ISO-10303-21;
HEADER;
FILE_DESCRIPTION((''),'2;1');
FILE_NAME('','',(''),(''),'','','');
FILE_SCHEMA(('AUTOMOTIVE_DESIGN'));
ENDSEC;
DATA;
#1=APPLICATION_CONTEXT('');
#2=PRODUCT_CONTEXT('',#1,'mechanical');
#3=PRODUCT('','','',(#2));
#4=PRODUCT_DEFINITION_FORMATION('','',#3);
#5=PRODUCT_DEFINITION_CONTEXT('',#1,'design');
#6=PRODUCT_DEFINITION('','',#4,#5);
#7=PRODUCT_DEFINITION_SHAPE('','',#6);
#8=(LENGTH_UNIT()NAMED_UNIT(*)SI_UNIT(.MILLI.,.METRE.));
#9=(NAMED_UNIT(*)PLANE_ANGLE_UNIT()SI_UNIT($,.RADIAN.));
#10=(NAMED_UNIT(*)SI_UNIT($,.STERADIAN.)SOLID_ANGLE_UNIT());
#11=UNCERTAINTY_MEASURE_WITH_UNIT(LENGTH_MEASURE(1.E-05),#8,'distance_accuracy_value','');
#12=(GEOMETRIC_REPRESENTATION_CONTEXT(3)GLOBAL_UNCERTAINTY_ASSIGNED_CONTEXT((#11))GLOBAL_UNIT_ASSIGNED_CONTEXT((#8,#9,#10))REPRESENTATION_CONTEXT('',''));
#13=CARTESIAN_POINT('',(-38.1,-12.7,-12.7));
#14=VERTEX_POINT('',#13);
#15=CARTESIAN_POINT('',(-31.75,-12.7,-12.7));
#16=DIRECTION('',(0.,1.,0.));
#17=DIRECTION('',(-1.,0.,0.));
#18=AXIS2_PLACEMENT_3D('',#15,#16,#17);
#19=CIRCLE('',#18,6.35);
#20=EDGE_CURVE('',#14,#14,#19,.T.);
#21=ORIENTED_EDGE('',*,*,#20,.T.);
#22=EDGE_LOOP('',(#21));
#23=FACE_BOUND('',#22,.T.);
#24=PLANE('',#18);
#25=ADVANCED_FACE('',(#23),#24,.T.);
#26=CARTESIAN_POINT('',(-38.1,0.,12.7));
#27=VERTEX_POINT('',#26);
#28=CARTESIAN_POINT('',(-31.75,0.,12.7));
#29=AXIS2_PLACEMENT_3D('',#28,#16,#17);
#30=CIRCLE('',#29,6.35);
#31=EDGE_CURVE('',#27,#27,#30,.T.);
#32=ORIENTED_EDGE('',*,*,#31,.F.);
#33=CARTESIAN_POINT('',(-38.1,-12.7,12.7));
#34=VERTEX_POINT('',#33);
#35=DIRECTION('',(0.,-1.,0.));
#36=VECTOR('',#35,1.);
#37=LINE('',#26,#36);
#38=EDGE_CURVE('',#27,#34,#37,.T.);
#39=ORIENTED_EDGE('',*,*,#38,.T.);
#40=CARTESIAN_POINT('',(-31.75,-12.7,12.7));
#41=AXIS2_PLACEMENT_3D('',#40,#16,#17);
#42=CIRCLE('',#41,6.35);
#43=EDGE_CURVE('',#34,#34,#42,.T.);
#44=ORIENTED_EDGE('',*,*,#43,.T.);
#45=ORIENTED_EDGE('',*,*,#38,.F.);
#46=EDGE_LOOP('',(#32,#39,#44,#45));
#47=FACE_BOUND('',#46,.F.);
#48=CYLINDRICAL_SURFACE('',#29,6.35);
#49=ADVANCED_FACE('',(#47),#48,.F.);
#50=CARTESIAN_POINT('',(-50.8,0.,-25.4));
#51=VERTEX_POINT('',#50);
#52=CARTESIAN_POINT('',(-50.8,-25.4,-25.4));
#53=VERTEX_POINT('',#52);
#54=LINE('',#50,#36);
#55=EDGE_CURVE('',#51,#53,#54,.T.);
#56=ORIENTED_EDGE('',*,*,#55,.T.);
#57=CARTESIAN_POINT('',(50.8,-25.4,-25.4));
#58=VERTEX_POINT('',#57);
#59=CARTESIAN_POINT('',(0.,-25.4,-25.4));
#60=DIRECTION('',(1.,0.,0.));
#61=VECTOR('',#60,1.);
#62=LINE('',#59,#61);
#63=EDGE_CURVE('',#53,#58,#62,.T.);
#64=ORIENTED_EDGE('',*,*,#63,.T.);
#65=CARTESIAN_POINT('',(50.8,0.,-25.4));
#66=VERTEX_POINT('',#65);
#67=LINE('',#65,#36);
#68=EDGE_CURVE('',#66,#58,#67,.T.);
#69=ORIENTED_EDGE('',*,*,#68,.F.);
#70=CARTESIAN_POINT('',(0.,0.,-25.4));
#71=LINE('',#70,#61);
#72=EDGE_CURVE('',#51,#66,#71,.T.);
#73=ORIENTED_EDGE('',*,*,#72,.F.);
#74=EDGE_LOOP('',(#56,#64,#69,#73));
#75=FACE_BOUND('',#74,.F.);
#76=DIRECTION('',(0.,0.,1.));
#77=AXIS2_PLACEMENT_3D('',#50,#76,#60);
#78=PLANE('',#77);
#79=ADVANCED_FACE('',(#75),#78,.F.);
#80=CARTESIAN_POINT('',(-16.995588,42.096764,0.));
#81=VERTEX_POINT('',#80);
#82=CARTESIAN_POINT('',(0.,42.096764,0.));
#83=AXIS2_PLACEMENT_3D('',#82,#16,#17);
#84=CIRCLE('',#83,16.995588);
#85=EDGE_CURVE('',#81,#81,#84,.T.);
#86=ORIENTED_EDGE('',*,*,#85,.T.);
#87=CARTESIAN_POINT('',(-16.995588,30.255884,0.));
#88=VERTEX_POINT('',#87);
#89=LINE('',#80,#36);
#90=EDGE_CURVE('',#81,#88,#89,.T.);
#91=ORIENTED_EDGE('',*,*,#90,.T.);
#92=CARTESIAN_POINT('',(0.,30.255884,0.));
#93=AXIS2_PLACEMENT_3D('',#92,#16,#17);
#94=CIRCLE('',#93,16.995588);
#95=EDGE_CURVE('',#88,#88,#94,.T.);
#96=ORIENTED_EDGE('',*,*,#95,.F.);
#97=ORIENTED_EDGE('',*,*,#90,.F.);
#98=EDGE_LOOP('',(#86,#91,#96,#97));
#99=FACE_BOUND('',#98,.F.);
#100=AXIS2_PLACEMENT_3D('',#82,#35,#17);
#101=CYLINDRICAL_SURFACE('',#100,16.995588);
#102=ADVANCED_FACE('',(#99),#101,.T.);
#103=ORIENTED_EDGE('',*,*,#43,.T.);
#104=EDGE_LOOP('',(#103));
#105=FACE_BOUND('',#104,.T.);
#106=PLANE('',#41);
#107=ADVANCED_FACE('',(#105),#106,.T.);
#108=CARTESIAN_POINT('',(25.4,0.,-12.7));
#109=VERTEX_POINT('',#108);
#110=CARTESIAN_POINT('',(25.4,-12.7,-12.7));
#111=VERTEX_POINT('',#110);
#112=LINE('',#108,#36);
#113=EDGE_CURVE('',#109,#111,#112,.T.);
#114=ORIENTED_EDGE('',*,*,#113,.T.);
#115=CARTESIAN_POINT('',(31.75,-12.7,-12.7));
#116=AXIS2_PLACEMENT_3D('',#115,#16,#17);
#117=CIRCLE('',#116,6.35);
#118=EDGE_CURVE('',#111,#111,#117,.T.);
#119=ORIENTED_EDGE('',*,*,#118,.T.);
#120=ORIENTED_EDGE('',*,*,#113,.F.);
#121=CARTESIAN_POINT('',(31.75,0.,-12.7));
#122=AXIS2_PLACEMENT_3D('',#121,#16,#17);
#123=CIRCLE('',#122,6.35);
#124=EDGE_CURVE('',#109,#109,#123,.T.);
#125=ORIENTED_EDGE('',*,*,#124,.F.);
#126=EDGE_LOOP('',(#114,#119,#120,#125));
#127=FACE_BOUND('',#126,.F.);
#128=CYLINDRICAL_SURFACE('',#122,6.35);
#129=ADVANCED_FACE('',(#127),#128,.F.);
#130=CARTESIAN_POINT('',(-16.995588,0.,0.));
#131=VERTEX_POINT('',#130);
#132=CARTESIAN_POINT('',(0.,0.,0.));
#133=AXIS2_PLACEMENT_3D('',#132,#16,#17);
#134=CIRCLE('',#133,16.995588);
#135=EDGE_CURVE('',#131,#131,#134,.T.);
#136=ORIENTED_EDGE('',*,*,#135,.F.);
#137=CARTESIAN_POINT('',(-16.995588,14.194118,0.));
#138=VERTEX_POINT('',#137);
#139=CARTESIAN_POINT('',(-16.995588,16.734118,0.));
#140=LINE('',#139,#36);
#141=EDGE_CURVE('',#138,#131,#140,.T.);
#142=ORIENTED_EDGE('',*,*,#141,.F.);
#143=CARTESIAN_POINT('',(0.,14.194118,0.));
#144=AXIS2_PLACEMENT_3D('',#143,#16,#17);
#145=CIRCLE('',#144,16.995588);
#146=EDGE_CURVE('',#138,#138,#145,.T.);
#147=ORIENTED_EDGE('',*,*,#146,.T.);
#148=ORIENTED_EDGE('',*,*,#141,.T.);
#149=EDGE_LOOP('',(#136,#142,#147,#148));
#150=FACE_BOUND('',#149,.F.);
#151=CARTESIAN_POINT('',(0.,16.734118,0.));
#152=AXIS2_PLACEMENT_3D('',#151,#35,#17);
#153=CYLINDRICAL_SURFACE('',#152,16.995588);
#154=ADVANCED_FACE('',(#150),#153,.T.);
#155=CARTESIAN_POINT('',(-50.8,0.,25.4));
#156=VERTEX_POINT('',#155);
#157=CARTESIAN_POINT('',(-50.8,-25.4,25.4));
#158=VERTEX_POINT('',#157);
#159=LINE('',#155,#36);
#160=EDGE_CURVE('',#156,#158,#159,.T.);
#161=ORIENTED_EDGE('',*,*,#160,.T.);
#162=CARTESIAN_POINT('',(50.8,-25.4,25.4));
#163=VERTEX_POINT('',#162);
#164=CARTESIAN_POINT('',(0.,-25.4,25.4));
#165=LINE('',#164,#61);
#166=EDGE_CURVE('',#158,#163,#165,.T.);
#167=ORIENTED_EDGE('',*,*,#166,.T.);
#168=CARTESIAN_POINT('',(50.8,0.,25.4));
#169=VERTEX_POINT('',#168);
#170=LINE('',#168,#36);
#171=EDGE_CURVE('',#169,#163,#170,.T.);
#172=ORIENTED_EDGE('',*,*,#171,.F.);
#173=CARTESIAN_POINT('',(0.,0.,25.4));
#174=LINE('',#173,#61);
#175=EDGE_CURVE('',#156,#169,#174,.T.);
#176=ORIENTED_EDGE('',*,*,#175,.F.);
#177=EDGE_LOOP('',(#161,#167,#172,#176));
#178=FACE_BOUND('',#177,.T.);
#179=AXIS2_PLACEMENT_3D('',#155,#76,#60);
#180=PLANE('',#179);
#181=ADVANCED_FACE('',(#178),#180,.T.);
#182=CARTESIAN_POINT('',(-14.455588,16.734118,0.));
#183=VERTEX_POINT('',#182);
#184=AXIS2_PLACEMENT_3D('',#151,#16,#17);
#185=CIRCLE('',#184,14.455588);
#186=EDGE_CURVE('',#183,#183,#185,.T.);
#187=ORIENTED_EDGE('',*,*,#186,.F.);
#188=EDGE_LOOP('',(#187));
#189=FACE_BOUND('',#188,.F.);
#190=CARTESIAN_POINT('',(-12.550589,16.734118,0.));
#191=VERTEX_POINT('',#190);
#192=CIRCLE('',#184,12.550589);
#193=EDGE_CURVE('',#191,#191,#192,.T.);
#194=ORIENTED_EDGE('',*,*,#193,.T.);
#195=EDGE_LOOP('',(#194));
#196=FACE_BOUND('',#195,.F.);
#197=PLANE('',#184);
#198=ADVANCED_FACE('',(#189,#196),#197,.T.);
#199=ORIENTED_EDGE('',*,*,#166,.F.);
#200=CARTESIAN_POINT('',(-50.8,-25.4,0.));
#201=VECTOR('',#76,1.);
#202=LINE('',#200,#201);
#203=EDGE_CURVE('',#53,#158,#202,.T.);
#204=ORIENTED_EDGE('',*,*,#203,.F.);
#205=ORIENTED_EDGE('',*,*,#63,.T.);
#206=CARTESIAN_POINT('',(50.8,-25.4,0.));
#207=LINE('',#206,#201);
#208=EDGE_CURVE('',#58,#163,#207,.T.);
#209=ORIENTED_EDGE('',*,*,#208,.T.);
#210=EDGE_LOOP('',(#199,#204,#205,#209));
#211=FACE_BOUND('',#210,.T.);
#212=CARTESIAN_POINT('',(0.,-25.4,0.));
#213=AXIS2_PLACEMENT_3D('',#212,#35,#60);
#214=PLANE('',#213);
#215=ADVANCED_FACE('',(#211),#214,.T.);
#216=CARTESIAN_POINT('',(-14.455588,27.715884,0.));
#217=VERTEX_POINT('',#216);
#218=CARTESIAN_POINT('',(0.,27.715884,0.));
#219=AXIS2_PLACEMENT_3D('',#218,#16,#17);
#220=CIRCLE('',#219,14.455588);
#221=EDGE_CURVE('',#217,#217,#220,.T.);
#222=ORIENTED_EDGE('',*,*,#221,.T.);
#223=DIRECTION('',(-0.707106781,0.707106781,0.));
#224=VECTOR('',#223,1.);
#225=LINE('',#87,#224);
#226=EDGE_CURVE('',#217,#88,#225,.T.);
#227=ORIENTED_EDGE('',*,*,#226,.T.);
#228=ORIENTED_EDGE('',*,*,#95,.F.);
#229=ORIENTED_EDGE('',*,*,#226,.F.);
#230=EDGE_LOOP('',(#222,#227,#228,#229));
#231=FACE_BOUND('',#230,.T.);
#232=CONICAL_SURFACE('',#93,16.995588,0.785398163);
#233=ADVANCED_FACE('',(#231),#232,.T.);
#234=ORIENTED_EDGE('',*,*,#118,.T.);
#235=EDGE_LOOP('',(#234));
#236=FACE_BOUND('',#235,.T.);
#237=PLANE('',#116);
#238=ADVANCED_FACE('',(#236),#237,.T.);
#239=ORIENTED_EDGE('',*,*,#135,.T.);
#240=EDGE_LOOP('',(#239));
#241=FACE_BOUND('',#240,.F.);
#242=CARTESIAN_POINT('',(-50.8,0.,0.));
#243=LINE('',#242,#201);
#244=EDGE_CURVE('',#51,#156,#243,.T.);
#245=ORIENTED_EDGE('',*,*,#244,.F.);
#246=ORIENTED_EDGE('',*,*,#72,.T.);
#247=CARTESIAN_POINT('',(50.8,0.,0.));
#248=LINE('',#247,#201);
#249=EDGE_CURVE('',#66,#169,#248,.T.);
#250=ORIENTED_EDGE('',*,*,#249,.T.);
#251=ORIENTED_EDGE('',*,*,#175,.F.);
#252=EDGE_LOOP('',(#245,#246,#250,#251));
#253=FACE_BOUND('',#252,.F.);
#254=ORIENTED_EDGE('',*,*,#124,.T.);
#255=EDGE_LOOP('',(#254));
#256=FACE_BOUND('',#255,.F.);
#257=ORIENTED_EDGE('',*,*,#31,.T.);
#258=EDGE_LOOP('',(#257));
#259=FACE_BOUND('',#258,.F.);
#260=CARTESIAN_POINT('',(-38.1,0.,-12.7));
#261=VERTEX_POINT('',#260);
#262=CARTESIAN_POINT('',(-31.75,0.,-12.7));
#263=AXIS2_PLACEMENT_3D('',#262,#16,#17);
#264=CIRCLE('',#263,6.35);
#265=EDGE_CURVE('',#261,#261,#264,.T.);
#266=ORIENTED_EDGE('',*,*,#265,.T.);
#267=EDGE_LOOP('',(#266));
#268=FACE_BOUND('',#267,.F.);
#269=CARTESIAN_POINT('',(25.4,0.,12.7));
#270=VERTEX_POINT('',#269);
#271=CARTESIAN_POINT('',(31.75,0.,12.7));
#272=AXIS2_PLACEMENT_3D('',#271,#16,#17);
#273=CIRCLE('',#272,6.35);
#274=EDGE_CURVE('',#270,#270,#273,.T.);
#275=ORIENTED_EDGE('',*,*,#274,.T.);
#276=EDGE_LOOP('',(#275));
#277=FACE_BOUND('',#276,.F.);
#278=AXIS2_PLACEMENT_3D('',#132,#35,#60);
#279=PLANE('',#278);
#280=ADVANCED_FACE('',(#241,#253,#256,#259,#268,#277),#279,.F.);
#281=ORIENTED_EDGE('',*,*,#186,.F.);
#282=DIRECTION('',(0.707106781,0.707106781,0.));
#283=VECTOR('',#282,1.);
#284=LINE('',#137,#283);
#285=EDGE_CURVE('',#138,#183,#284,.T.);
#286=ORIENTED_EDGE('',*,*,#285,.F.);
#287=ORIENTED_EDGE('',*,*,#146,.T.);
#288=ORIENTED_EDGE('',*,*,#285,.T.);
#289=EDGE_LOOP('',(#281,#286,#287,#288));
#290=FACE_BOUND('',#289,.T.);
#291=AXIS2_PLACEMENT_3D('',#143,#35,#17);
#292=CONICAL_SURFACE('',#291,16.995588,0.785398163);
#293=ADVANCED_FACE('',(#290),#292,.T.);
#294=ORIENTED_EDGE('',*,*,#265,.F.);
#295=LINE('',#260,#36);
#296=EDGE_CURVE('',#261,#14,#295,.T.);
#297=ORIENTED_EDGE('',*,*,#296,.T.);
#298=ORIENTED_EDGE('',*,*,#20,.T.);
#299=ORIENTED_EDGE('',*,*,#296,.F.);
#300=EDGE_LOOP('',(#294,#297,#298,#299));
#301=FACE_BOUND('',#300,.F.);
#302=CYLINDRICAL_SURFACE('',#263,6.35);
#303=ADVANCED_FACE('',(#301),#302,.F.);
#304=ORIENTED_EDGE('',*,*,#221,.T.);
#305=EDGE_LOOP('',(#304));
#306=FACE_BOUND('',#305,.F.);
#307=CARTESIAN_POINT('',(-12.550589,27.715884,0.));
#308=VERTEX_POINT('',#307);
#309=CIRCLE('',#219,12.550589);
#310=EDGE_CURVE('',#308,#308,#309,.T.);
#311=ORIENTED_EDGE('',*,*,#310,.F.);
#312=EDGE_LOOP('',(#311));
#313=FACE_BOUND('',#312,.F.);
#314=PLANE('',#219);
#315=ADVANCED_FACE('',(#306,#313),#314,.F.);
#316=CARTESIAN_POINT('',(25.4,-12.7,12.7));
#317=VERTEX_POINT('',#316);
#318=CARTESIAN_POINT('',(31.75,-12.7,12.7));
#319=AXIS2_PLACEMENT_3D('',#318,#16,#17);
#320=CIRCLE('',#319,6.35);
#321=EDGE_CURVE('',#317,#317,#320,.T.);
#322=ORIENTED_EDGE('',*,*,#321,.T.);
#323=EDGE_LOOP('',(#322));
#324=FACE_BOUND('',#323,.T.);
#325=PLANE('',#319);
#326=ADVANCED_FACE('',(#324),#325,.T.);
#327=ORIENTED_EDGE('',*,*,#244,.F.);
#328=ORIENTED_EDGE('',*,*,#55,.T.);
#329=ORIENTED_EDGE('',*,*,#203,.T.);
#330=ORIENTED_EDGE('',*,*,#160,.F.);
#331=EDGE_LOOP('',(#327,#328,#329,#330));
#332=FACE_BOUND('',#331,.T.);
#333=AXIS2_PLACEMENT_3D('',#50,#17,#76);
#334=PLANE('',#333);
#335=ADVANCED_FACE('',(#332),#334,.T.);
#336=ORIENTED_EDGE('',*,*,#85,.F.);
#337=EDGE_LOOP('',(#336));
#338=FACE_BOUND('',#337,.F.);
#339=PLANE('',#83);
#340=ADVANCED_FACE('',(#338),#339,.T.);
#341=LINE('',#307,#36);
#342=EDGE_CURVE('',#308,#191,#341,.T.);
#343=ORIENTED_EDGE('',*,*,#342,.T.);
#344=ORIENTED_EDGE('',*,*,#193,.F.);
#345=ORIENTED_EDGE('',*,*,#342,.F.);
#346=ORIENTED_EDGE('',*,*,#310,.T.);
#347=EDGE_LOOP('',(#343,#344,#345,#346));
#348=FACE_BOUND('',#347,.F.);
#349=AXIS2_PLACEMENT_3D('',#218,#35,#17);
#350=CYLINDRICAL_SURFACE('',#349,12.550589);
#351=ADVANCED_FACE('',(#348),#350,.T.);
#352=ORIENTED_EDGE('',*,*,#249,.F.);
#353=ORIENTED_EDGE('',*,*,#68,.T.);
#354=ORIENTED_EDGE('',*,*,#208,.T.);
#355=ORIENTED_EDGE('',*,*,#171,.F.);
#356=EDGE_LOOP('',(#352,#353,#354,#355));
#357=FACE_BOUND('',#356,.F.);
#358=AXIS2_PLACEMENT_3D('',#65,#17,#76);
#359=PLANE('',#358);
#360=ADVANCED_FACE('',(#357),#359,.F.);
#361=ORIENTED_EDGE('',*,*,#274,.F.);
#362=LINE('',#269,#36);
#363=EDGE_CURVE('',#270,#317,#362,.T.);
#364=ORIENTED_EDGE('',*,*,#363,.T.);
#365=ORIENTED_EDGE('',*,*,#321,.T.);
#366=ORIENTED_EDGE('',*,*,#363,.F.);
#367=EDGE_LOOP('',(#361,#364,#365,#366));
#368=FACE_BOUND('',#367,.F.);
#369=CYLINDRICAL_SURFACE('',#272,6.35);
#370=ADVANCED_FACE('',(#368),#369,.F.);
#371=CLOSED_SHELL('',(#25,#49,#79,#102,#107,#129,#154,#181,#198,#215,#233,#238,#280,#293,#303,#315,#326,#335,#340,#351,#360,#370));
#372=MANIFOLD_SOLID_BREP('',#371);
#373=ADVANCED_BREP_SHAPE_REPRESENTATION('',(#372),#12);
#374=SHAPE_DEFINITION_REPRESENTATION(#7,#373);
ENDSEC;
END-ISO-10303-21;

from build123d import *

# Parameters (mm, degrees)
F0_W     = 101.6
F0_H     = 50.8
F1_DEPTH = 25.4
F2_R     = 6.35
F3_DEPTH = 12.7
F6_SIZE  = 2.54


with BuildPart() as f1:
    # F0 (on Front) → F1 (new body)
    with BuildSketch(Plane.XZ):
        Rectangle(F0_W, F0_H)
    extrude(amount=F1_DEPTH)

    # F2 (on face) → F3 (cut)
    with BuildSketch(Plane(origin=(0, 0, 0), x_dir=(-1, 0, 0), z_dir=(0, 1, 0))):
        with Locations((31.75, -12.7)):
            Circle(F2_R)
        with Locations((-31.75, 12.7)):
            Circle(F2_R)
        with Locations((-31.75, -12.7)):
            Circle(F2_R)
        with Locations((31.75, 12.7)):
            Circle(F2_R)
    extrude(amount=-F3_DEPTH, mode=Mode.SUBTRACT)

    # F4 (on Top) → F5 (revolve)
    with BuildSketch(Plane.XY):
        Polygon((-16.995588, 0), (0, 0), (0, 42.096764), (-16.995588, 42.096764), (-16.995588, 27.715884), (-12.550589, 27.715884), (-12.550589, 16.734118), (-16.995588, 16.734118), align=None)
    revolve(axis=Axis((0, 21.048382, 0), (0, 1, 0)))

    # F6
    f6_edges = [f1.edges().sort_by_distance(p)[0] for p in [
        (16.995588, 16.734118, 0),
        (16.995588, 27.715884, 0),
    ]]
    chamfer(f6_edges, length=F6_SIZE)


solid = f1.part
